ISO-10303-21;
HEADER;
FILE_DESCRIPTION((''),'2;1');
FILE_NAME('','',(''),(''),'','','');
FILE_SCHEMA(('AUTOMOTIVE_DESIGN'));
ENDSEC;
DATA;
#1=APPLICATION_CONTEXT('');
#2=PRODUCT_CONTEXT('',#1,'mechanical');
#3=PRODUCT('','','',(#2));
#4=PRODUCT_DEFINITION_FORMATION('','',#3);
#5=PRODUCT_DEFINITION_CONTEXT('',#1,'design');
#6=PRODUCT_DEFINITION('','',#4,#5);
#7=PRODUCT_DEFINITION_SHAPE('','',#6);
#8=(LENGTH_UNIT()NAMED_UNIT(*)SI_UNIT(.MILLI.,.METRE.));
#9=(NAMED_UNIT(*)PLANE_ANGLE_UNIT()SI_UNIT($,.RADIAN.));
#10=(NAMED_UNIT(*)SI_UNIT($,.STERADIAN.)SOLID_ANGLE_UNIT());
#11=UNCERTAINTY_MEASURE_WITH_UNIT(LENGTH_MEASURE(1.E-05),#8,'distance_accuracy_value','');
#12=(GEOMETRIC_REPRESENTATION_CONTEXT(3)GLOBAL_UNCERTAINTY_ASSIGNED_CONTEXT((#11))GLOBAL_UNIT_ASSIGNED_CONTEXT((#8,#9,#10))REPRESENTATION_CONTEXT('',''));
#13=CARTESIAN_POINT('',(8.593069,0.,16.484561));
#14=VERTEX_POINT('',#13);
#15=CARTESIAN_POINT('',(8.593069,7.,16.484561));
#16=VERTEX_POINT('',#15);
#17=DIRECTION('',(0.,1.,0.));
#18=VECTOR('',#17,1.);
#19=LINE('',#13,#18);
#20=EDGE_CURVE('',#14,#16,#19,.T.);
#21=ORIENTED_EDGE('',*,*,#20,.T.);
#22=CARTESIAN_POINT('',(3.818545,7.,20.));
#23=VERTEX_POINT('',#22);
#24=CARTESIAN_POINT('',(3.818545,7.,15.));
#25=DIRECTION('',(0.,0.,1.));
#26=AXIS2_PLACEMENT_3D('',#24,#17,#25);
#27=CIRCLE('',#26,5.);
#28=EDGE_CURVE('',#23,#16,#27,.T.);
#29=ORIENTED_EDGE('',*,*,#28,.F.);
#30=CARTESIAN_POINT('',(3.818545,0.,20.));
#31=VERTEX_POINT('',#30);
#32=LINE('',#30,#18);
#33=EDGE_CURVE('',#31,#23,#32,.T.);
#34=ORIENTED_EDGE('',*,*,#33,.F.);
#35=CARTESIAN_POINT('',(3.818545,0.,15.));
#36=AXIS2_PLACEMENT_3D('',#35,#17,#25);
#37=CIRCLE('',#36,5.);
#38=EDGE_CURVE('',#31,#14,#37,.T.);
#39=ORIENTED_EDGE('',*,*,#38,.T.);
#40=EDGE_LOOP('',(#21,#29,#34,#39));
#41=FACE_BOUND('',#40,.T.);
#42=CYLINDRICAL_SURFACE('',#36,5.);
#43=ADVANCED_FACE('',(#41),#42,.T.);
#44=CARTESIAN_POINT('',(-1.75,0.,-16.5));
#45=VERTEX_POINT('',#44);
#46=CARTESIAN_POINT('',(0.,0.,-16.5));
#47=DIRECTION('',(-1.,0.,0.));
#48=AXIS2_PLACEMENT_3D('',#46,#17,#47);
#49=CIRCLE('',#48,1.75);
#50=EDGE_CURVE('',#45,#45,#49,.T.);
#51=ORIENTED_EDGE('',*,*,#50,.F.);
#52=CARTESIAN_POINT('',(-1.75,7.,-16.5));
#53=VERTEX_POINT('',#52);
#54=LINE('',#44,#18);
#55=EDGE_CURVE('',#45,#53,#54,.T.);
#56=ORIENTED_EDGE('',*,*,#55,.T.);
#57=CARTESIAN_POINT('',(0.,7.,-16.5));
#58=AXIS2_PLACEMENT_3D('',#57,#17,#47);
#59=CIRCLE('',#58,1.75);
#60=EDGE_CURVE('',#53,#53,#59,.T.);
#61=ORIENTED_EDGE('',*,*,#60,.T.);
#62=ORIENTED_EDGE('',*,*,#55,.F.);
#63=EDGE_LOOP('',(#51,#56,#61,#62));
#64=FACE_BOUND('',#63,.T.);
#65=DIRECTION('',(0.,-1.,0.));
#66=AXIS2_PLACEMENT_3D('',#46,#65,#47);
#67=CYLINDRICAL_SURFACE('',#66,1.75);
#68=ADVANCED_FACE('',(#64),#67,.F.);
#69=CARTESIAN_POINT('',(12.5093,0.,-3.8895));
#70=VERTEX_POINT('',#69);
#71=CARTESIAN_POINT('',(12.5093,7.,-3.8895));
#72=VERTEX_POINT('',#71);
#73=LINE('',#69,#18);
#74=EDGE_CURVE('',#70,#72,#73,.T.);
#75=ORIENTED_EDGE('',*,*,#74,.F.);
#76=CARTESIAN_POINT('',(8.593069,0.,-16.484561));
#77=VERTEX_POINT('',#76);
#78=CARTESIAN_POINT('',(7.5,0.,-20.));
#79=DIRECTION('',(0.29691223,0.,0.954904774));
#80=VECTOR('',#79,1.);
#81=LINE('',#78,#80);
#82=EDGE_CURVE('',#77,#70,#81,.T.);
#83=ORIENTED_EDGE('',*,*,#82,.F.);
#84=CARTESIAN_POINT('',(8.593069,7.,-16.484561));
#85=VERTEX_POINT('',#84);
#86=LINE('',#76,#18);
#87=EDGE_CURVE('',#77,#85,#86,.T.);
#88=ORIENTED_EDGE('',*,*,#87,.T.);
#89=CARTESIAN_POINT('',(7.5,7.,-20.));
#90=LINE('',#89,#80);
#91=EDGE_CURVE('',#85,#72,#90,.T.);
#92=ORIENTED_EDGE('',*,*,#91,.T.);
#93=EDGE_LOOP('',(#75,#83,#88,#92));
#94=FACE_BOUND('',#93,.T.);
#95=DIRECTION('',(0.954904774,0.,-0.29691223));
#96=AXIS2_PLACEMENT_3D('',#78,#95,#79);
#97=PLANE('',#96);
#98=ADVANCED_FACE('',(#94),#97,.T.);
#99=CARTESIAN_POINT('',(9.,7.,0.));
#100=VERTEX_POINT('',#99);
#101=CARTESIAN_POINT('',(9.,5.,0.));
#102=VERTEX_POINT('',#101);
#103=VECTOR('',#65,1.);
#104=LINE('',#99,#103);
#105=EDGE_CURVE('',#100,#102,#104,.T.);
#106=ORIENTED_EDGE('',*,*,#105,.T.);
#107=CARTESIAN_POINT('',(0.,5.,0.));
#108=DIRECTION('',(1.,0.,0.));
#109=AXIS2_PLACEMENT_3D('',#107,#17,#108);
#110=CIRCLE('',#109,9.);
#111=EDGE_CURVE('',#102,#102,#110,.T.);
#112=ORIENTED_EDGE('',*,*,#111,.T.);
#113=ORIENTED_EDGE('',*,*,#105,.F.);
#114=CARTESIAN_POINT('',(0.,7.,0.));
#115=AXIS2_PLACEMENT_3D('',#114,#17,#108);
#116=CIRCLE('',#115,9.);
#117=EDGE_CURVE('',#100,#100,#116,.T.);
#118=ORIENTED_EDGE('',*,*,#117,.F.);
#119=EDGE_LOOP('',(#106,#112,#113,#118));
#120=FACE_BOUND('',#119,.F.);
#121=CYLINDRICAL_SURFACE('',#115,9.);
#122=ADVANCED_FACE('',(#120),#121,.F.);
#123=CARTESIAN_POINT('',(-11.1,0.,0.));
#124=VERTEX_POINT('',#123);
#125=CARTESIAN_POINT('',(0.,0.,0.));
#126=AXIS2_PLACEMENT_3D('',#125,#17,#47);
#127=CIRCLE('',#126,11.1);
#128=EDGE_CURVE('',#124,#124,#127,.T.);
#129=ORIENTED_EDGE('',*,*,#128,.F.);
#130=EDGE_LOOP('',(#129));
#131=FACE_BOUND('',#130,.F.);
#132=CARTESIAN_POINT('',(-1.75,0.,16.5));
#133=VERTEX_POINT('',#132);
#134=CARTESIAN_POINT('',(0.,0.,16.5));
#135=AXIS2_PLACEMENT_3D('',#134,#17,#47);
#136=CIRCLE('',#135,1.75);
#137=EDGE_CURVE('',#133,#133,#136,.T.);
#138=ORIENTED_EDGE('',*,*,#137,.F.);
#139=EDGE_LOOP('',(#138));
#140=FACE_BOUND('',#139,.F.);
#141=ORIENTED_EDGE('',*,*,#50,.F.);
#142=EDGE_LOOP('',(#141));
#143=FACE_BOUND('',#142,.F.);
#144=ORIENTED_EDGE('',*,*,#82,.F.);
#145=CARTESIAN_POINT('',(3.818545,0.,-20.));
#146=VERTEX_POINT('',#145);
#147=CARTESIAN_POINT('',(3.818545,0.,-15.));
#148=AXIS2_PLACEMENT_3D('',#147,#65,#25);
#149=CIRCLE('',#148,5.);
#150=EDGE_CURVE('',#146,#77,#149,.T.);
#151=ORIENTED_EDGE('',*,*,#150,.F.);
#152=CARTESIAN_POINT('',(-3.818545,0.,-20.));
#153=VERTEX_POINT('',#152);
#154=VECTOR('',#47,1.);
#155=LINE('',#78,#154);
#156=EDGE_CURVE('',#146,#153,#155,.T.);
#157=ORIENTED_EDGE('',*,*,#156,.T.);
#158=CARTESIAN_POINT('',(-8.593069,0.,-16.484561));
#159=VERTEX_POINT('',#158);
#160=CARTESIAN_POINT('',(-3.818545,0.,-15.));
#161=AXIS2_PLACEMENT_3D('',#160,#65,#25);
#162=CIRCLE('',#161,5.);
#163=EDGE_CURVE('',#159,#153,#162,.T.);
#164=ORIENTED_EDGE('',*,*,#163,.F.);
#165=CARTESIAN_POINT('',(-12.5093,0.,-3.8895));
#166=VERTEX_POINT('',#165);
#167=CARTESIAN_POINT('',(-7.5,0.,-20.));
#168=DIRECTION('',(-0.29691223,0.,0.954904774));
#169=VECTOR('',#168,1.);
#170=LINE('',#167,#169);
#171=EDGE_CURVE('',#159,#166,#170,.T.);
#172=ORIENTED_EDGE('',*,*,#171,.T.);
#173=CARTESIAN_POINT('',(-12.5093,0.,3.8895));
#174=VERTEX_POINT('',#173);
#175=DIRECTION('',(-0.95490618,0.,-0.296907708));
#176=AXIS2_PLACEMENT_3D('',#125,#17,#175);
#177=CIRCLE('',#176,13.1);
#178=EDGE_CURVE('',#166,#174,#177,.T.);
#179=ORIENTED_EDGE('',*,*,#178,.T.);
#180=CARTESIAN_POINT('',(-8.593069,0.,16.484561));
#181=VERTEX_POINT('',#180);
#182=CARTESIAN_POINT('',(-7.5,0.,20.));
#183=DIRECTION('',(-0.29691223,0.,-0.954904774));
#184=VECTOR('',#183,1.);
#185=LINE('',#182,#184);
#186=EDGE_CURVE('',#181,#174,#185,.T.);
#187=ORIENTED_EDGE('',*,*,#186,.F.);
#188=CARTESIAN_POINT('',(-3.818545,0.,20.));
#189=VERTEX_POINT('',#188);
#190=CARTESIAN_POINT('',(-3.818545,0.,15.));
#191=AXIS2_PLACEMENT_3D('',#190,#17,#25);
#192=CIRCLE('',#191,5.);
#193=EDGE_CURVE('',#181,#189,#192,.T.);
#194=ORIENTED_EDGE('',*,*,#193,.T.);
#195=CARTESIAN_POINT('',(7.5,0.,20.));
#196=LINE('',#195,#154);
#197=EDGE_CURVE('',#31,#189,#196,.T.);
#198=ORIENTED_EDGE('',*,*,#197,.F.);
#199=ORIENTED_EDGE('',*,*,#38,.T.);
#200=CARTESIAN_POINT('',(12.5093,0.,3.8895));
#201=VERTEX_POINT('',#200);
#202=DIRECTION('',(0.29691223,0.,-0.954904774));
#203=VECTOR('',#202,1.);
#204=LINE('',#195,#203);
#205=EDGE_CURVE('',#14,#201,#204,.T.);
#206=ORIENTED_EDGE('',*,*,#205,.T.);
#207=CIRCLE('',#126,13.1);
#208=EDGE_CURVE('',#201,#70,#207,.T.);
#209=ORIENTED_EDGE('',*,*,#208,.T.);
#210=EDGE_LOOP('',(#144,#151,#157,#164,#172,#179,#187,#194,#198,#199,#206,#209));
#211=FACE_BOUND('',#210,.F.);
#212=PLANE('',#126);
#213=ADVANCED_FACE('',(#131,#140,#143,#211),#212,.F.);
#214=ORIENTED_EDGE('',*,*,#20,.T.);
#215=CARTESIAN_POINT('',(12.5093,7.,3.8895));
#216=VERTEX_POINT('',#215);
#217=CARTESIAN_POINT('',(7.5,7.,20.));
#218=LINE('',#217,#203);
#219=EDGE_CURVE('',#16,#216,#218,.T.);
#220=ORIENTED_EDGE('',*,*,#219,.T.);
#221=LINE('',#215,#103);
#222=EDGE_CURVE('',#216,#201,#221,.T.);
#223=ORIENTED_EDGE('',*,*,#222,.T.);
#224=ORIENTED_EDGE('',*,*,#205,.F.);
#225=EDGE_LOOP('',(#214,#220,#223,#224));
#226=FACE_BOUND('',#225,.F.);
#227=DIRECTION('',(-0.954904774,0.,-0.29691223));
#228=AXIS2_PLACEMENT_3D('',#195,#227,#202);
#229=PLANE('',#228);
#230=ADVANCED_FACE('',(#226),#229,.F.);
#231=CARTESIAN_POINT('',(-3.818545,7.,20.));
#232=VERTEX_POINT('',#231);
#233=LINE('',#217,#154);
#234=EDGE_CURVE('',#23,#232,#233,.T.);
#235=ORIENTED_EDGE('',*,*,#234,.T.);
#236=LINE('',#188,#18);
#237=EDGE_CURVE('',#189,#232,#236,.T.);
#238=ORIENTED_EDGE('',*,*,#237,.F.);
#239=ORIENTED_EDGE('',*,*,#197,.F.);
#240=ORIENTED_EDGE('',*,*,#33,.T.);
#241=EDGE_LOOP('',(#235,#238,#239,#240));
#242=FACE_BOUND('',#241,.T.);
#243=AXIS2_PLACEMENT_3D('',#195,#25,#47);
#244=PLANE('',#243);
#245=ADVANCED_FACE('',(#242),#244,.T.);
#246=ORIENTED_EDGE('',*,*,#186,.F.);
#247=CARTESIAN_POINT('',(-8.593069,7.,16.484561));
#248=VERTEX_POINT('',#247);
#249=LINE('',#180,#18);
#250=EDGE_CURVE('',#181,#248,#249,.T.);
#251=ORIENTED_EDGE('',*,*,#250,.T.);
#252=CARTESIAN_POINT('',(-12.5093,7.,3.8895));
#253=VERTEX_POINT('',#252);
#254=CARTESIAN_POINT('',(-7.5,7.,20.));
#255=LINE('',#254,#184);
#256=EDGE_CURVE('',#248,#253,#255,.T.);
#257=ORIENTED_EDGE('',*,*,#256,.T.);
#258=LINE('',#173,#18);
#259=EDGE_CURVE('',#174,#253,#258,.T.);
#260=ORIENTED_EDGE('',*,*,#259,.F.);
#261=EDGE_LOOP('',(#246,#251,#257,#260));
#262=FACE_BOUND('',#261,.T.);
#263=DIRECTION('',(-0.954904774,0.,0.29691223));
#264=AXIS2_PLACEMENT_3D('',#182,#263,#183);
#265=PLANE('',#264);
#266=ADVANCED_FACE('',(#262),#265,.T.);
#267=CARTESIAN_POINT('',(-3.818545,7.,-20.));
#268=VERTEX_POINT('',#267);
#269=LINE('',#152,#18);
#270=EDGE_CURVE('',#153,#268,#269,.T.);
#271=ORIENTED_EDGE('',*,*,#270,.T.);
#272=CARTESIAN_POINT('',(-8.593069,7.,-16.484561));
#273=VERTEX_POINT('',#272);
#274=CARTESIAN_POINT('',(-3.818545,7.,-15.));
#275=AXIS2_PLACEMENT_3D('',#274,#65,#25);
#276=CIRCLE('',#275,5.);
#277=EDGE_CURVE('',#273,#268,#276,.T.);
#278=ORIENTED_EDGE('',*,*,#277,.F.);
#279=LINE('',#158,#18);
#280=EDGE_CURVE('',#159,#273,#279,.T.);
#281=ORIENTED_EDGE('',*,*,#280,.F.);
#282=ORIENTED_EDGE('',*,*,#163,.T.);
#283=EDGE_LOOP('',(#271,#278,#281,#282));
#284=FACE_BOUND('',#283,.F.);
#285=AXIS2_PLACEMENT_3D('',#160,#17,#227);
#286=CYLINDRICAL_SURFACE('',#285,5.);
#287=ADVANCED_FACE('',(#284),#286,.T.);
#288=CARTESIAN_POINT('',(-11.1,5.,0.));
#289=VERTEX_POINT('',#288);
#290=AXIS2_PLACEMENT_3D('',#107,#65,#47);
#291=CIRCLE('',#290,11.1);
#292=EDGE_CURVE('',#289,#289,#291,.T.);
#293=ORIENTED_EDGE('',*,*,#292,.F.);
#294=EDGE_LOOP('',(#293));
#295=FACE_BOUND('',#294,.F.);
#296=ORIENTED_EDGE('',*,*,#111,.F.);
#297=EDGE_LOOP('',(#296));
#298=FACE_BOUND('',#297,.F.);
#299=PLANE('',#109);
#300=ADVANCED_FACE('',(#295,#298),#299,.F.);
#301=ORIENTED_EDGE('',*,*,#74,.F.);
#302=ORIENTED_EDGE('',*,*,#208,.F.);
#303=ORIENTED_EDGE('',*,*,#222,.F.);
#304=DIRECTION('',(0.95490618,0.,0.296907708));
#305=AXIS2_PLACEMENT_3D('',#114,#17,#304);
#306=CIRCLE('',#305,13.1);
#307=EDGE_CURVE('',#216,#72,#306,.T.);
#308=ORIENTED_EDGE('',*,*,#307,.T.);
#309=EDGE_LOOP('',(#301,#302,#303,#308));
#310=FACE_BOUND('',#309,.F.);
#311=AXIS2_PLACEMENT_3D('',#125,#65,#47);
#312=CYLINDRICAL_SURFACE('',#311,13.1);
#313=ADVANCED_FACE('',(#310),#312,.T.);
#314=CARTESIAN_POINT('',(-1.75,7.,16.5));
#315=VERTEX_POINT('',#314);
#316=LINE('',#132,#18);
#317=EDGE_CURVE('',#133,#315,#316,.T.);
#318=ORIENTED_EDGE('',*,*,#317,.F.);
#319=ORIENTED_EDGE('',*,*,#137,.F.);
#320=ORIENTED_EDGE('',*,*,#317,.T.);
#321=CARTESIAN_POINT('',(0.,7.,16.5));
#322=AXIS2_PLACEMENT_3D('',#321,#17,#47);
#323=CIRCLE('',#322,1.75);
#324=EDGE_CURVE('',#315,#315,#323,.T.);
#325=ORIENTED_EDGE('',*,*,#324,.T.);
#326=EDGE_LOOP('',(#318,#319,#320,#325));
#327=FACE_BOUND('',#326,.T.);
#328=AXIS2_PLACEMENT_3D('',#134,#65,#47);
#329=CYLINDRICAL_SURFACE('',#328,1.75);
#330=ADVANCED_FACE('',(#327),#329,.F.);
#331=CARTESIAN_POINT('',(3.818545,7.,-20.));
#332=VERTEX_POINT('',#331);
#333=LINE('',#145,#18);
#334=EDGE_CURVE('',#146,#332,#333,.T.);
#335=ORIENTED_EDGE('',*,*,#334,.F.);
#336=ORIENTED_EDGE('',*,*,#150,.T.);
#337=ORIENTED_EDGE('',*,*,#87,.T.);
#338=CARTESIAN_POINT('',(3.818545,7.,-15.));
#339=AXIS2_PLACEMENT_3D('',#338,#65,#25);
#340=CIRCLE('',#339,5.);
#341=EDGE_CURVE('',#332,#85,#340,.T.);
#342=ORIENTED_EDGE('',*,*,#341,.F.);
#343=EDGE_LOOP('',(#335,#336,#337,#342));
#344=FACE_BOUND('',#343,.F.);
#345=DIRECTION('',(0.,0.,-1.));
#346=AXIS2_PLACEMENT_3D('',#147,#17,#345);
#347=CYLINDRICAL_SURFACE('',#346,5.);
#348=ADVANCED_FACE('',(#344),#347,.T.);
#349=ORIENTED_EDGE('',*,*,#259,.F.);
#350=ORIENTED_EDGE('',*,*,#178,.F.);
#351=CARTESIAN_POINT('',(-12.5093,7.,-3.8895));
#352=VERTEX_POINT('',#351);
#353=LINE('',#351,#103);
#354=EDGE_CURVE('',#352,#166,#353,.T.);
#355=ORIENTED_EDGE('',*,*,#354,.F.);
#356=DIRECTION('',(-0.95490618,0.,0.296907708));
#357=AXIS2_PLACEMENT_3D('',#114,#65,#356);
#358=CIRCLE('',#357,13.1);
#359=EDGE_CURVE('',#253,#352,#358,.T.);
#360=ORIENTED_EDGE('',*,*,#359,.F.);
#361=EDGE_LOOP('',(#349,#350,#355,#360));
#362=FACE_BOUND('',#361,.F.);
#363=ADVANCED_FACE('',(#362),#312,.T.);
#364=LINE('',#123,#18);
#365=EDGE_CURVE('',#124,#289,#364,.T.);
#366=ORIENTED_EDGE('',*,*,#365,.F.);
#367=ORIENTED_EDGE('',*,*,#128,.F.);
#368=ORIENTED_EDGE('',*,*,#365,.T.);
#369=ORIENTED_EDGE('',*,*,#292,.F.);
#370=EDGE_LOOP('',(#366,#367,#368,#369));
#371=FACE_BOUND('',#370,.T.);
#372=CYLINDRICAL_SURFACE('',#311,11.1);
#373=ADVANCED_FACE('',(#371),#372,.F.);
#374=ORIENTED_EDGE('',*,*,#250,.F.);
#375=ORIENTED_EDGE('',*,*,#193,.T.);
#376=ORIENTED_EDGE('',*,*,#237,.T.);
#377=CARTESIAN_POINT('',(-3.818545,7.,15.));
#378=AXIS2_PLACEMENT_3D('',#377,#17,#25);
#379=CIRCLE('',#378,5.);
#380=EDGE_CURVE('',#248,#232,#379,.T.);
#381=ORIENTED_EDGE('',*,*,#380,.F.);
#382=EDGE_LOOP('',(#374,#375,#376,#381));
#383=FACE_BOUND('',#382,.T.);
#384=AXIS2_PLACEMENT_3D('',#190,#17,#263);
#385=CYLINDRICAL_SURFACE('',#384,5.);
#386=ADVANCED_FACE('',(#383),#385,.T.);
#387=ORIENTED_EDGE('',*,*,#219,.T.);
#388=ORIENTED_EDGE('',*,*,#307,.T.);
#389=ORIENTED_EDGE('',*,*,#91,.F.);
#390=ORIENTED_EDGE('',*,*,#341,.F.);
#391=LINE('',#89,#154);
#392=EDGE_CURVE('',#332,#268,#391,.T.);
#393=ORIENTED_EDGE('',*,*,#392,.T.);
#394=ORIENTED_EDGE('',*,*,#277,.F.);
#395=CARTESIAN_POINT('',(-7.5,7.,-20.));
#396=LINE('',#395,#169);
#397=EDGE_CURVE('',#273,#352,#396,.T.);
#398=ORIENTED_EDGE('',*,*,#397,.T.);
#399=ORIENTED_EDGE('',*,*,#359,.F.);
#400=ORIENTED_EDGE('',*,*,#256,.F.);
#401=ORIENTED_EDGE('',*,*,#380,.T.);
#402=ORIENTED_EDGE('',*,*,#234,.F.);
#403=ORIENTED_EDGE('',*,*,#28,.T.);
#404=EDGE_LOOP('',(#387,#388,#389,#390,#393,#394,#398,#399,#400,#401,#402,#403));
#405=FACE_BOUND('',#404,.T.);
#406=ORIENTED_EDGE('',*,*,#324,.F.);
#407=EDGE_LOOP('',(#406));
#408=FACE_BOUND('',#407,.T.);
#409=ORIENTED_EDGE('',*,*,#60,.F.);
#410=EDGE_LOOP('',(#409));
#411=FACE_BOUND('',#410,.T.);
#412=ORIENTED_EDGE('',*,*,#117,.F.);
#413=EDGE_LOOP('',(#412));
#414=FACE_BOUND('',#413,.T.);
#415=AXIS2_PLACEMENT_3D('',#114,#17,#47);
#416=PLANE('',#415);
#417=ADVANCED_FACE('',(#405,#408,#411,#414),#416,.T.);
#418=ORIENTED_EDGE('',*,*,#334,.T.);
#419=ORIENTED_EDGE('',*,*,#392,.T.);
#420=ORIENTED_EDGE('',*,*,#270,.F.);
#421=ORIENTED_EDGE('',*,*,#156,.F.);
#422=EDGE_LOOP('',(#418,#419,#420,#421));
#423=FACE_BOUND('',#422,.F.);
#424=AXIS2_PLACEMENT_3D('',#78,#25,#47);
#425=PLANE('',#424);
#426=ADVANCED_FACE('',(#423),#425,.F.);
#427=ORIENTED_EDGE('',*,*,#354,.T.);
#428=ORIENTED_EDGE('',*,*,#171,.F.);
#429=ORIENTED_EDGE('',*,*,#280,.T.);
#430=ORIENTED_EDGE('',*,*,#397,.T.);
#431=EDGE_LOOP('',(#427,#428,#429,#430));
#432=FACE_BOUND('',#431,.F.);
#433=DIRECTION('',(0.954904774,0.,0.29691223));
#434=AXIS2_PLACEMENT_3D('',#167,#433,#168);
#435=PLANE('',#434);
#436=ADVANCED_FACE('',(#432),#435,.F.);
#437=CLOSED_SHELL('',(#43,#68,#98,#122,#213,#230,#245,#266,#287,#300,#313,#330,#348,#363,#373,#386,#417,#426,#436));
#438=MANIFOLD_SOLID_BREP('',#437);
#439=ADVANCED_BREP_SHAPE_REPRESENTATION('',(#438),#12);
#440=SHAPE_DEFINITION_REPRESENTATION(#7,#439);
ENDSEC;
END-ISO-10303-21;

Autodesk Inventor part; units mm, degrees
ref_plane "YZ Plane" through (0, 0, 0) normal (1, 0, 0) x (0, 1, 0)
ref_plane "XZ Plane" through (0, 0, 0) normal (0, 1, 0) x (-1, 0, 0)
ref_plane "XY Plane" through (0, 0, 0) normal (0, 0, 1) x (1, 0, 0)
sketch "Szkic1" plane through (0, 0, 0) normal (0, 1, 0) x (-1, 0, 0)
  circle A0 centre (0, 0) radius 11.1
  circle A1 centre (0, 0) radius 13.1
  line L0 (-7.5, 20) -> (7.5, 20)
  line L1 (0, 20) -> (0, 0) construction
  line L2 (7.5, 20) -> (12.5093, 3.8895)
  line L3 (-7.5, 20) -> (-12.5093, 3.8895)
  circle A2 centre (0, 16.5) radius 1.75
  line L4 (0, 0) -> (13.1, 0) construction
  line L5 (-7.5, -20) -> (7.5, -20)
  line L6 (0, -20) -> (0, 0) construction
  line L7 (7.5, -20) -> (12.5093, -3.8895)
  line L8 (-7.5, -20) -> (-12.5093, -3.8895)
  circle A3 centre (0, -16.5) radius 1.75
  arc A4 (12.5093, 3.8895) -> (-12.5093, 3.8895) centre (0, 0) ccw
  arc A5 (-12.5093, -3.8895) -> (12.5093, -3.8895) centre (0, 0) ccw
  dimension "d0" = 22.2
  dimension "d1" = 2
  dimension "d2" = 15
  dimension "d3" = 20
  dimension "d7" = 16.5
  dimension "d8" = 3.5
extrude "Wyciągnięcie proste1" add sketch "Szkic1" along normal blind 7
sketch "Szkic2" plane through (0, 7, 0) normal (0, 1, 0) x (1, 0, 0)
  circle A0 centre (0, 0) radius 13.1
  arc A1 (-12.5093, 3.8895) -> (-12.5093, -3.8895) centre (0, 0) ccw construction
  circle A2 centre (0, 0) radius 9
  circle A3 centre (0, 0) radius 11.1 construction
  dimension "d22" = 18
extrude "Wyciągnięcie proste2" add sketch "Szkic2" against normal blind 2
fillet "Zaokrąglenie1" radius 5 4 edges at (-7.5, 3.5, 20) (7.5, 3.5, 20) (7.5, 3.5, -20) (-7.5, 3.5, -20)
properties part number "CH_01_0022_bearing_mount"
